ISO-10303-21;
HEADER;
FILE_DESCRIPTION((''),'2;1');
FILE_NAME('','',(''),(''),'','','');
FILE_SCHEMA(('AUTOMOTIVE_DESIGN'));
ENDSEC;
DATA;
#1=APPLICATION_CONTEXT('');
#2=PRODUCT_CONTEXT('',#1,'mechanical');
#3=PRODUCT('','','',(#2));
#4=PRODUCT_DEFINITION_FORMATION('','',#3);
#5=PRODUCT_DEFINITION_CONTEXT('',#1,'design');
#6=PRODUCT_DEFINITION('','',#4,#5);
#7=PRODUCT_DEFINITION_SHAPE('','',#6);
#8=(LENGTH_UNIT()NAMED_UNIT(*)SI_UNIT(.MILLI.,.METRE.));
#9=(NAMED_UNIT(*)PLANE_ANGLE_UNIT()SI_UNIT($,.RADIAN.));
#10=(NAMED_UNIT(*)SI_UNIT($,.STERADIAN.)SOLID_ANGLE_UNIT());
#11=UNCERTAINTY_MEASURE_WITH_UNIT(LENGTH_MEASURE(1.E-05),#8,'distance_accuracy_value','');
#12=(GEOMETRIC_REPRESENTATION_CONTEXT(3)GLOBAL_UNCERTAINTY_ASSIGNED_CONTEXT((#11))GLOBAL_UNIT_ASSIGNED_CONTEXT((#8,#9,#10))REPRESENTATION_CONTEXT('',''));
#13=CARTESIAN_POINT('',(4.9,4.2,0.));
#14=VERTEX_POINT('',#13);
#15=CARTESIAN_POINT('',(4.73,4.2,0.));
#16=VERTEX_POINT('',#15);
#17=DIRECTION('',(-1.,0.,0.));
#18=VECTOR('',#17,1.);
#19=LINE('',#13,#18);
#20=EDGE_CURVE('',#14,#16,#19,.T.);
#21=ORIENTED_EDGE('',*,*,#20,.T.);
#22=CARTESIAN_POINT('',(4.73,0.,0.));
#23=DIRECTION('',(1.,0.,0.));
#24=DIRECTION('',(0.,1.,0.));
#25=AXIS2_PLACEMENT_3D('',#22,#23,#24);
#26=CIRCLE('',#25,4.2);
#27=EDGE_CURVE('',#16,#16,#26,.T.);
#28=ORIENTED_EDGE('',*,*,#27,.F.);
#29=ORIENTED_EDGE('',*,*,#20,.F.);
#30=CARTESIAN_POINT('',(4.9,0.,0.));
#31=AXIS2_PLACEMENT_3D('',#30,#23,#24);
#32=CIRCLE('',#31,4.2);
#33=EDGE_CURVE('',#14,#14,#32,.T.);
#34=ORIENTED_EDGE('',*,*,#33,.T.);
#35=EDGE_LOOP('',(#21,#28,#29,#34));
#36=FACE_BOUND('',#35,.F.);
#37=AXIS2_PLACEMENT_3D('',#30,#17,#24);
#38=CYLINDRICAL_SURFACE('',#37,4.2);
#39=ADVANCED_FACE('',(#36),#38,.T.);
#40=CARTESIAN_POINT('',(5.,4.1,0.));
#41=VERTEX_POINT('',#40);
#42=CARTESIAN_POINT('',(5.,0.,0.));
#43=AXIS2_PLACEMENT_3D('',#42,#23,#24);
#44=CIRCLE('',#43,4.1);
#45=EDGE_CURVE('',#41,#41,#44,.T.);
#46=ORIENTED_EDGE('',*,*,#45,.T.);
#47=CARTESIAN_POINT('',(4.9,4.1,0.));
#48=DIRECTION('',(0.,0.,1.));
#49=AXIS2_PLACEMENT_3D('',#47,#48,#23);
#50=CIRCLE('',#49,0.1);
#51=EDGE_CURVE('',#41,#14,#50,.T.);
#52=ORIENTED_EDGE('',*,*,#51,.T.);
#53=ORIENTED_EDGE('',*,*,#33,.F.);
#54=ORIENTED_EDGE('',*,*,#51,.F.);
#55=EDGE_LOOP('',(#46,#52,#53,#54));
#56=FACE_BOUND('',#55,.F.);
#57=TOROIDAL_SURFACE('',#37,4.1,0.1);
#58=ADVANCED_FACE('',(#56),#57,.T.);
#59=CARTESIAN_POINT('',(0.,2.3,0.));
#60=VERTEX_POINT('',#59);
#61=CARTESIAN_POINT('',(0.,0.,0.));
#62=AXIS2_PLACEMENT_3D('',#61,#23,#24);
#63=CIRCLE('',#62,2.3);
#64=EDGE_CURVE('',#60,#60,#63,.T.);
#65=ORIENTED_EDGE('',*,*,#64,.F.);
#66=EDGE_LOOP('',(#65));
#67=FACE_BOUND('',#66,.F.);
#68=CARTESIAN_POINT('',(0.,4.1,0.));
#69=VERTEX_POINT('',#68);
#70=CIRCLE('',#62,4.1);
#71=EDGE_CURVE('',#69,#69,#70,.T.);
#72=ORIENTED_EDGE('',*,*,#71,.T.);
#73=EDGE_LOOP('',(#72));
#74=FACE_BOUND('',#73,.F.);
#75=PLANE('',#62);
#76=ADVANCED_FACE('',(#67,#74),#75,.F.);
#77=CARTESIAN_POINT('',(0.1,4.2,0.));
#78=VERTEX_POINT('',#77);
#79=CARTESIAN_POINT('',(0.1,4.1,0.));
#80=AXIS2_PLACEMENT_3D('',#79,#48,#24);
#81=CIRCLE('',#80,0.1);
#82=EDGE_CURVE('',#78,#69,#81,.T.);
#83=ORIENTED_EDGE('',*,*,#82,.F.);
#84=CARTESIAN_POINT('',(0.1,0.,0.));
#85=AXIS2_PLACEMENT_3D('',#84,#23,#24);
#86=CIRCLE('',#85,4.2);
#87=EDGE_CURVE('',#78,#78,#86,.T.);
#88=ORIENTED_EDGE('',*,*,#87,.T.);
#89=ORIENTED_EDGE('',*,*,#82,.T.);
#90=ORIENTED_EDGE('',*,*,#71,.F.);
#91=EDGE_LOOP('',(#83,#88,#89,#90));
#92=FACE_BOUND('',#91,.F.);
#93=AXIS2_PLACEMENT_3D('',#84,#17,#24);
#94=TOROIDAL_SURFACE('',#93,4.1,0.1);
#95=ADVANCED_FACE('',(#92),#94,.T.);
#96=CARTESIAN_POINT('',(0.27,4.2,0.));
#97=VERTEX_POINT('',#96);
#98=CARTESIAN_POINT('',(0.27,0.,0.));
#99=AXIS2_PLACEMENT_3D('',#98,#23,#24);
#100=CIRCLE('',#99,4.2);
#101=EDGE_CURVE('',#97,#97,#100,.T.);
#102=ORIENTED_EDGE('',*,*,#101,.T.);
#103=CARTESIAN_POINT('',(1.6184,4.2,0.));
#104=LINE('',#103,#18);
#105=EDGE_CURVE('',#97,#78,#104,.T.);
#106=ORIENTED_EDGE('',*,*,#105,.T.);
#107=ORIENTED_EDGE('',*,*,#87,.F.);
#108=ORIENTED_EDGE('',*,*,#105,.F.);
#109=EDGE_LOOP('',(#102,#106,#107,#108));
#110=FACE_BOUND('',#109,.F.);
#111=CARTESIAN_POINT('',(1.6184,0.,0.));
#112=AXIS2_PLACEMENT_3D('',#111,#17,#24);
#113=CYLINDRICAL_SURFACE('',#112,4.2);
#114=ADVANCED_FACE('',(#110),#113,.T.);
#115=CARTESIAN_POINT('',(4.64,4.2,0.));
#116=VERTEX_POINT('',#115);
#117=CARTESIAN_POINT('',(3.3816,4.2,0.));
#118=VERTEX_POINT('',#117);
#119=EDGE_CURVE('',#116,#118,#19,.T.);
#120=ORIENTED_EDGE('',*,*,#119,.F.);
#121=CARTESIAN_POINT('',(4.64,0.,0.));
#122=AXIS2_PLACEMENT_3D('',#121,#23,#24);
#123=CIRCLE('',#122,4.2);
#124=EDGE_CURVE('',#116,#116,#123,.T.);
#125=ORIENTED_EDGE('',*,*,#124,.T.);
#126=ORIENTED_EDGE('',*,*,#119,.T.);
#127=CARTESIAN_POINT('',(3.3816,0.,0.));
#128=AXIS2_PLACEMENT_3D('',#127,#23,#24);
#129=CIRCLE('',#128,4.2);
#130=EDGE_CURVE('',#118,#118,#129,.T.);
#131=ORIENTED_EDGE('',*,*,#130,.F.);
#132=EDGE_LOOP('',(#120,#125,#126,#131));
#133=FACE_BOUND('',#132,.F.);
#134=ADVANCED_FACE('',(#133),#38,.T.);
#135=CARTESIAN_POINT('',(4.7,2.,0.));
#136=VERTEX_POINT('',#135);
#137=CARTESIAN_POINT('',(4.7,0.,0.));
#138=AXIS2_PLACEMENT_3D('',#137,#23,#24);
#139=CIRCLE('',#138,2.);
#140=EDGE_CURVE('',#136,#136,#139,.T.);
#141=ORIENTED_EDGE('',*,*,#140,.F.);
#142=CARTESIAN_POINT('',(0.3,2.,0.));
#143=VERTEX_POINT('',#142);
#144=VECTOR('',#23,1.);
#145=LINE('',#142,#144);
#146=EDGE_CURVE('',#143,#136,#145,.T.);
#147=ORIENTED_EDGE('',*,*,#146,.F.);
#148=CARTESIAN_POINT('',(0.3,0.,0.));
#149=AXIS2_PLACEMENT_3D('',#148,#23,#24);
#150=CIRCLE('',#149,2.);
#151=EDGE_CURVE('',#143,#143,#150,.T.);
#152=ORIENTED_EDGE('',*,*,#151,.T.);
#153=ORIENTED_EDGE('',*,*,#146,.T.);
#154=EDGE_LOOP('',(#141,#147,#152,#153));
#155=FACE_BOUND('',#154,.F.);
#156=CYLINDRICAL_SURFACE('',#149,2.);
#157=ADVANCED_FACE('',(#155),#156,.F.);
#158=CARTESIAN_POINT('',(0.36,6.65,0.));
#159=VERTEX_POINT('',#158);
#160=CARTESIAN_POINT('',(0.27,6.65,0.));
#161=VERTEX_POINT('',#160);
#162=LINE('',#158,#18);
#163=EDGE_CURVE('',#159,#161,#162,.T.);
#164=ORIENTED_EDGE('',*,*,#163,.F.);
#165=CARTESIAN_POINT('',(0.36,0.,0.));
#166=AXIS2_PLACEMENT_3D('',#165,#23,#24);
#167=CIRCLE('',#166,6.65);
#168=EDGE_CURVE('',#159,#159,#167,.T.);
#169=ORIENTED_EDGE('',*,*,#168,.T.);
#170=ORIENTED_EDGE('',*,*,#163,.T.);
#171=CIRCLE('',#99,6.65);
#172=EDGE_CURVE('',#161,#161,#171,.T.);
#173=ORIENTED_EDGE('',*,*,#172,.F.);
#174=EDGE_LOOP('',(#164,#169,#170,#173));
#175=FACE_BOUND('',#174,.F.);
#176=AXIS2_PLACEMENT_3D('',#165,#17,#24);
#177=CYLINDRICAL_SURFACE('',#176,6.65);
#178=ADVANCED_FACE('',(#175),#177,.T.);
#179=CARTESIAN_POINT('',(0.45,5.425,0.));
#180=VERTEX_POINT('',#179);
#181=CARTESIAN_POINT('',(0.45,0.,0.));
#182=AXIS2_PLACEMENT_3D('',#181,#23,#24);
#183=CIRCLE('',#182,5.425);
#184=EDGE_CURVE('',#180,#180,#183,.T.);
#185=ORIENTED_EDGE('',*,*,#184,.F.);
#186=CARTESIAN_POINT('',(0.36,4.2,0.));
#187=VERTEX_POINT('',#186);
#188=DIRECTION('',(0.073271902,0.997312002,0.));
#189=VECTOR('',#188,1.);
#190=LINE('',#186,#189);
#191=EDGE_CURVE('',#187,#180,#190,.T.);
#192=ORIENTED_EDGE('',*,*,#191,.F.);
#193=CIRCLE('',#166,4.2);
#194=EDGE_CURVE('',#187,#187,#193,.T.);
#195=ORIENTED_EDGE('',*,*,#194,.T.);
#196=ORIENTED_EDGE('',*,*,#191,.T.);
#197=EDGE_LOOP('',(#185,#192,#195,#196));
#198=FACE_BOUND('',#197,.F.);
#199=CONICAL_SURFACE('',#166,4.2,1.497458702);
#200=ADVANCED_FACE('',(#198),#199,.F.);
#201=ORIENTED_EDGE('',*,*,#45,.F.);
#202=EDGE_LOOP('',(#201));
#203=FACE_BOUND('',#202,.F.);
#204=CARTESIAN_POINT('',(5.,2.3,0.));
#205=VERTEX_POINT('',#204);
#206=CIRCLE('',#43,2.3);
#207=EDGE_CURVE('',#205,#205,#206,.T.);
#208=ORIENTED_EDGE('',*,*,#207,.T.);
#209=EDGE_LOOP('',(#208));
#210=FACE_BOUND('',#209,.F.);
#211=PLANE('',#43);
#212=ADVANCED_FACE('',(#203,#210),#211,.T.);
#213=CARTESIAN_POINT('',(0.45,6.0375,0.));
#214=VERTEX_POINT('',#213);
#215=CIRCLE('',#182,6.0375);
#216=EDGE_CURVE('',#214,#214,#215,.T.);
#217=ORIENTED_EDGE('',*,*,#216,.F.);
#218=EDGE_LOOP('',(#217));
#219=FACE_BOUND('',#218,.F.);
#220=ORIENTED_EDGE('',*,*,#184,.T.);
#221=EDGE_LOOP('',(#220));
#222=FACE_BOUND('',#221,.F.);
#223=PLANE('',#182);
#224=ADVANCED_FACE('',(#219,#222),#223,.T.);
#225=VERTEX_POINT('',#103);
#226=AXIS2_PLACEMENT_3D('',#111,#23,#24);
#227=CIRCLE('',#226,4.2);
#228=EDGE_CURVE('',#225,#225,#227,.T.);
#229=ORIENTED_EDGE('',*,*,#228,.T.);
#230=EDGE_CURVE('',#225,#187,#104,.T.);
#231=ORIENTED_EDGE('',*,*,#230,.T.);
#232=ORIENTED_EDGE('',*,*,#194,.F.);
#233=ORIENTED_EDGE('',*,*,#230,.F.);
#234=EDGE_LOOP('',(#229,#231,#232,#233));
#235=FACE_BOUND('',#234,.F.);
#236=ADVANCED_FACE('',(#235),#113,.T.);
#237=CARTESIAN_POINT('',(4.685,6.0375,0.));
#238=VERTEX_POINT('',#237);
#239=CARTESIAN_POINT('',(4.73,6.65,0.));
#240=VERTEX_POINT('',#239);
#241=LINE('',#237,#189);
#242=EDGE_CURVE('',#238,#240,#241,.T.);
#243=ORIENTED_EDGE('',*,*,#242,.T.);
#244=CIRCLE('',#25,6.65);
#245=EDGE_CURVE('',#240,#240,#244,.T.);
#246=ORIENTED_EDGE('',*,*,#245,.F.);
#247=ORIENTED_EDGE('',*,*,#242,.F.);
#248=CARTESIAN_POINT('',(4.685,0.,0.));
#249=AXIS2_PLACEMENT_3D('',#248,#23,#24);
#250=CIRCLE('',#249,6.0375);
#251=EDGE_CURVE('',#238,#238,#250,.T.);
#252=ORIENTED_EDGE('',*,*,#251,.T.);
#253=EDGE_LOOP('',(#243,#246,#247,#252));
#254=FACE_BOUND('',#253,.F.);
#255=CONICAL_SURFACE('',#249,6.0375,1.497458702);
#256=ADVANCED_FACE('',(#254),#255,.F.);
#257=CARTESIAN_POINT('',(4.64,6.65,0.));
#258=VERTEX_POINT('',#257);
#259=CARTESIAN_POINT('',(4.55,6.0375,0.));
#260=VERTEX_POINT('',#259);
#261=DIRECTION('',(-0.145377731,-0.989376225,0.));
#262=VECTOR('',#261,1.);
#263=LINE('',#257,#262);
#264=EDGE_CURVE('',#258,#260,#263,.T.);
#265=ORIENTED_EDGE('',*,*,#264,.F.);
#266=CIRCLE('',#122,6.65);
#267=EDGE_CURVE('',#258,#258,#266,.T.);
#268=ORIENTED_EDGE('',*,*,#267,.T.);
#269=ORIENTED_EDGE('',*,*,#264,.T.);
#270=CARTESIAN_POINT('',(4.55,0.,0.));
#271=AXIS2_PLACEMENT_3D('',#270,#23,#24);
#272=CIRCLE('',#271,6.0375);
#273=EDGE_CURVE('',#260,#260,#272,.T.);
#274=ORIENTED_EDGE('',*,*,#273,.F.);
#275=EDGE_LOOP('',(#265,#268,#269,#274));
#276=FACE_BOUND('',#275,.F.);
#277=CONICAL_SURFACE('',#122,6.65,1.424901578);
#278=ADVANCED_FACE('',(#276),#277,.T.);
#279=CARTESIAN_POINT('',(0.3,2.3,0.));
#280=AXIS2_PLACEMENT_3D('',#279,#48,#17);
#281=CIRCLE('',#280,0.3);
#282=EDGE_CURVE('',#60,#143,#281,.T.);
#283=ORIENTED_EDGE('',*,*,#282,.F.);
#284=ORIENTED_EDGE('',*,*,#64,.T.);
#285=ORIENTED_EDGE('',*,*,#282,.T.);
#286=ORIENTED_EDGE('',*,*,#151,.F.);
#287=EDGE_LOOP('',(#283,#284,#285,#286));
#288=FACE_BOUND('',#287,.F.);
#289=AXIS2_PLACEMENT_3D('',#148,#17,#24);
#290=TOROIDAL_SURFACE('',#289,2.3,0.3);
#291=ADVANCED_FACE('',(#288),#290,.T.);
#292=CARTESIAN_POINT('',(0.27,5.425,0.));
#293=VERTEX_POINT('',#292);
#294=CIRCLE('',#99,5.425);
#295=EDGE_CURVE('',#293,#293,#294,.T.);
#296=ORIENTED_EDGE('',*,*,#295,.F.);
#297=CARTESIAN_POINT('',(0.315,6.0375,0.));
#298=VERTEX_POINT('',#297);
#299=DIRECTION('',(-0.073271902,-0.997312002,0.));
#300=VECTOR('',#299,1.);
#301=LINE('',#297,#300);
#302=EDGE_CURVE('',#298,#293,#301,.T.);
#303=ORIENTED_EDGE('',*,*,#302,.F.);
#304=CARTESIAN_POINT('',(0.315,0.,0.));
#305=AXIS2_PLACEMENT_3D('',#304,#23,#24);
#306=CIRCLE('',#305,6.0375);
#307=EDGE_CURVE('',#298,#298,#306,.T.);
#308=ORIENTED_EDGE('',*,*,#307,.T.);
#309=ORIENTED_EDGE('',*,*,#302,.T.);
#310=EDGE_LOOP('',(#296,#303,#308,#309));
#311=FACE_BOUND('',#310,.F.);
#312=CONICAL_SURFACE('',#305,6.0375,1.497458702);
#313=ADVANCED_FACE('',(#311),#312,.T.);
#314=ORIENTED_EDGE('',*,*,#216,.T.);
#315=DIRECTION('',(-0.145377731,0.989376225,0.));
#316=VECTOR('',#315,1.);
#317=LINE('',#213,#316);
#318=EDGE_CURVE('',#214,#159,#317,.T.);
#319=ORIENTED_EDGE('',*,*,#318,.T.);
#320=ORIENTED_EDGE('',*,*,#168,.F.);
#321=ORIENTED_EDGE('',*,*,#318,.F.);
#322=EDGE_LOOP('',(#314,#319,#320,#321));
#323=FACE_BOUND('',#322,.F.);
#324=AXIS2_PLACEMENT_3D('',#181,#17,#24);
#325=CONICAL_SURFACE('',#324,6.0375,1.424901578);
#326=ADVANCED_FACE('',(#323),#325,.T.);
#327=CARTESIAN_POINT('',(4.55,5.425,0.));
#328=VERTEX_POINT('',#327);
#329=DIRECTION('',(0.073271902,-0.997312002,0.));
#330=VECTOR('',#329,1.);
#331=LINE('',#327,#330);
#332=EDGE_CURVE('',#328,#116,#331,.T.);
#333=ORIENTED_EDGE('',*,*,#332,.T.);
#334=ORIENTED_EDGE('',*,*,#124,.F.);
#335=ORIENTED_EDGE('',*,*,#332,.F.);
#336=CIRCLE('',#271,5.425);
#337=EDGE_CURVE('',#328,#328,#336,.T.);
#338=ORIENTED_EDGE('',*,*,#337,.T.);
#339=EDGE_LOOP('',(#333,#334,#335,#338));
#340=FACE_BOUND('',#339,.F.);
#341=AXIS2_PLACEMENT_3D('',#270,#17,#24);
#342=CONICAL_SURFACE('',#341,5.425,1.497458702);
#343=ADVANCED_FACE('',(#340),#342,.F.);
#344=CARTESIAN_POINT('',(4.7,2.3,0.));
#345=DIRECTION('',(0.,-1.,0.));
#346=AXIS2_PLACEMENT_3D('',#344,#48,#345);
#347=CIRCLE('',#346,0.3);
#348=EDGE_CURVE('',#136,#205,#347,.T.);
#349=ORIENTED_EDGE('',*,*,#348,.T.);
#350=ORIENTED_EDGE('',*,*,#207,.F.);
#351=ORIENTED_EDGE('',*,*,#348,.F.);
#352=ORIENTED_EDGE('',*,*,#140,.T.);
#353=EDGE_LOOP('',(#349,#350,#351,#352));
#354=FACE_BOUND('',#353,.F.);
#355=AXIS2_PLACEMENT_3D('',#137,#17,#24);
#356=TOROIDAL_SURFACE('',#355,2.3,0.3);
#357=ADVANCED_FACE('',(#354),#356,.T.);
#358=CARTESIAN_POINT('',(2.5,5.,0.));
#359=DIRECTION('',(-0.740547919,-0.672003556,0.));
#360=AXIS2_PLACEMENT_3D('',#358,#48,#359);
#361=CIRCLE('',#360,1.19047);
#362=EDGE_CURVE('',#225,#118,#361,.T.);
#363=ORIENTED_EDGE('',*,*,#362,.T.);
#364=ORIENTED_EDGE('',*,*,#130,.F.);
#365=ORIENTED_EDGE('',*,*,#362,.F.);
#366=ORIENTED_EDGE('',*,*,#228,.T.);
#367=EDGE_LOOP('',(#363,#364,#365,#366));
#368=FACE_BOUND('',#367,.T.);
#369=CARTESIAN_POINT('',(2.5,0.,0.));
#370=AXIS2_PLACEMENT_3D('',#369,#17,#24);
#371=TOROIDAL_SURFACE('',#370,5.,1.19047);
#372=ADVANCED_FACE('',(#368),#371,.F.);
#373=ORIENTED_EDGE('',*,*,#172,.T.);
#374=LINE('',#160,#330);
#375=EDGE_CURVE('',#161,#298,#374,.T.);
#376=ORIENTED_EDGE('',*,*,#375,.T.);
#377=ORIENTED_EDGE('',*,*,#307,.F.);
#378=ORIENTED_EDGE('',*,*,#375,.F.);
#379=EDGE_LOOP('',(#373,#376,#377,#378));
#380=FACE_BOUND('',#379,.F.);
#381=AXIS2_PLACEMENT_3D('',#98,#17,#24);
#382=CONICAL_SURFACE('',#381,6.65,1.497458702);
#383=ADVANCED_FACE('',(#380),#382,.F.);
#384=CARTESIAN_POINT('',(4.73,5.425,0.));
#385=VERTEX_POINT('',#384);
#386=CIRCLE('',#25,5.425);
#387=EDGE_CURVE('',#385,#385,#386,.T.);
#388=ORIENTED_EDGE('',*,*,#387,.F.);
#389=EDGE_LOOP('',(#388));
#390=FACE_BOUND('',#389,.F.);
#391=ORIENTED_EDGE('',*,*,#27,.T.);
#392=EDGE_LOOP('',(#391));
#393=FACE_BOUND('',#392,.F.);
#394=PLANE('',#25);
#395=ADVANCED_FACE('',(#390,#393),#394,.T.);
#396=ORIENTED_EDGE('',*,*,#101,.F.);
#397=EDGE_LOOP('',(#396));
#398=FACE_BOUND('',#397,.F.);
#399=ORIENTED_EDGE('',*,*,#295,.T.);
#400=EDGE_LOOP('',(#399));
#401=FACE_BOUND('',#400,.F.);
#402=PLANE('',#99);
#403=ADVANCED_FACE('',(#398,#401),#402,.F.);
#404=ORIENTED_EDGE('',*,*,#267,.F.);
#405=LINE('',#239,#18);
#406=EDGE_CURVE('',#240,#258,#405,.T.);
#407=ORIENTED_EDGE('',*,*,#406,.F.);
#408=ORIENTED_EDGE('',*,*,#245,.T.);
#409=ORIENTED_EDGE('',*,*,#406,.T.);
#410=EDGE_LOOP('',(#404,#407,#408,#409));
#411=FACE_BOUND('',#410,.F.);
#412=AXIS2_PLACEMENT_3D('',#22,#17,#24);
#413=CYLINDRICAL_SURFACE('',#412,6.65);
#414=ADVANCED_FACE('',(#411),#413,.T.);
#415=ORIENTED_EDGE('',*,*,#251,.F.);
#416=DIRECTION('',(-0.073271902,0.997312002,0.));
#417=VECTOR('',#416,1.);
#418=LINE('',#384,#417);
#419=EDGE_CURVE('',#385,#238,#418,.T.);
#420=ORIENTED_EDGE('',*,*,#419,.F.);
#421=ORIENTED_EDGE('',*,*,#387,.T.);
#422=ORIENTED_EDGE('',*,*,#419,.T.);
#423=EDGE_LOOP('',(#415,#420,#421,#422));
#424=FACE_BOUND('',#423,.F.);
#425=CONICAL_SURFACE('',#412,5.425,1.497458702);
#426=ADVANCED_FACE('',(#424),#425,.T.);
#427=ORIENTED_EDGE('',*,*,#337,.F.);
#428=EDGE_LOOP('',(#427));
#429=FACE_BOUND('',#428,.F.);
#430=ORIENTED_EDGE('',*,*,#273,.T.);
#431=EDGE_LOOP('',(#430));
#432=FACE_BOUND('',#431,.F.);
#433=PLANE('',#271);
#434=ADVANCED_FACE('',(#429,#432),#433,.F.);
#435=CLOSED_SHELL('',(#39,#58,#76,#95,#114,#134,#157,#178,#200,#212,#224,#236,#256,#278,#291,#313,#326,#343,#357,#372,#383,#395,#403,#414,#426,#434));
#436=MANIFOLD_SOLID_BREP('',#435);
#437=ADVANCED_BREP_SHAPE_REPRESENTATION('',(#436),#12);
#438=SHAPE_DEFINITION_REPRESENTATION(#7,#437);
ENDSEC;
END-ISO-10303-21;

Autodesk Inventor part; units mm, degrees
ref_plane "YZ Plane" through (0, 0, 0) normal (1, 0, 0) x (0, 1, 0)
ref_plane "XZ Plane" through (0, 0, 0) normal (0, 1, 0) x (-1, 0, 0)
ref_plane "XY Plane" through (0, 0, 0) normal (0, 0, 1) x (1, 0, 0)
sketch "Sketch_62" plane through (0, 0, 0) normal (0, 0, 1) x (1, 0, 0)
  line L0 (50, 0) -> (-50, 0)
  line L1 (0, 4.1) -> (0, 2.3)
  arc A0 (0, 2.3) -> (0.3, 2) centre (0.3, 2.3) ccw
  line L2 (0.3, 2) -> (4.7, 2)
  arc A1 (4.7, 2) -> (5, 2.3) centre (4.7, 2.3) ccw
  line L3 (5, 2.3) -> (5, 4.1)
  arc A2 (5, 4.1) -> (4.9, 4.2) centre (4.9, 4.1) ccw
  line L4 (4.9, 4.2) -> (3.3816, 4.2)
  arc A3 (1.6184, 4.2) -> (3.3816, 4.2) centre (2.5, 5) ccw
  line L5 (1.6184, 4.2) -> (0.1, 4.2)
  arc A4 (0.1, 4.2) -> (0, 4.1) centre (0.1, 4.1) ccw
revolve "Revolution1" add sketch "Sketch_62" angle 360 about axis through (50, 0, 0) along (1, 0, 0)
sketch "Sketch_63" plane through (0, 0, 0) normal (0, 0, 1) x (1, 0, 0)
  line L0 (50, 0) -> (-50, 0)
  line L1 (0.27, 6.65) -> (0.315, 6.0375)
  line L2 (0.315, 6.0375) -> (0.27, 5.425)
  line L3 (0.27, 5.425) -> (0.27, 4.2)
  line L4 (0.27, 4.2) -> (0.36, 4.2)
  line L5 (0.36, 4.2) -> (0.45, 5.425)
  line L6 (0.45, 5.425) -> (0.45, 6.0375)
  line L7 (0.45, 6.0375) -> (0.36, 6.65)
  line L8 (0.36, 6.65) -> (0.27, 6.65)
revolve "Revolution2" add sketch "Sketch_63" angle 360 about axis through (50, 0, 0) along (1, 0, 0)
sketch "Sketch_65" plane through (0, 0, 0) normal (0, 0, 1) x (1, 0, 0)
  line L0 (50, 0) -> (-50, 0)
  line L1 (4.55, 5.425) -> (4.64, 4.2)
  line L2 (4.64, 4.2) -> (4.73, 4.2)
  line L3 (4.73, 4.2) -> (4.73, 5.425)
  line L4 (4.73, 5.425) -> (4.685, 6.0375)
  line L5 (4.685, 6.0375) -> (4.73, 6.65)
  line L6 (4.73, 6.65) -> (4.64, 6.65)
  line L7 (4.64, 6.65) -> (4.55, 6.0375)
  line L8 (4.55, 6.0375) -> (4.55, 5.425)
revolve "Revolution3" add sketch "Sketch_65" angle 360 about axis through (50, 0, 0) along (1, 0, 0)
properties part number "SKF_634-2Z_PART1"
